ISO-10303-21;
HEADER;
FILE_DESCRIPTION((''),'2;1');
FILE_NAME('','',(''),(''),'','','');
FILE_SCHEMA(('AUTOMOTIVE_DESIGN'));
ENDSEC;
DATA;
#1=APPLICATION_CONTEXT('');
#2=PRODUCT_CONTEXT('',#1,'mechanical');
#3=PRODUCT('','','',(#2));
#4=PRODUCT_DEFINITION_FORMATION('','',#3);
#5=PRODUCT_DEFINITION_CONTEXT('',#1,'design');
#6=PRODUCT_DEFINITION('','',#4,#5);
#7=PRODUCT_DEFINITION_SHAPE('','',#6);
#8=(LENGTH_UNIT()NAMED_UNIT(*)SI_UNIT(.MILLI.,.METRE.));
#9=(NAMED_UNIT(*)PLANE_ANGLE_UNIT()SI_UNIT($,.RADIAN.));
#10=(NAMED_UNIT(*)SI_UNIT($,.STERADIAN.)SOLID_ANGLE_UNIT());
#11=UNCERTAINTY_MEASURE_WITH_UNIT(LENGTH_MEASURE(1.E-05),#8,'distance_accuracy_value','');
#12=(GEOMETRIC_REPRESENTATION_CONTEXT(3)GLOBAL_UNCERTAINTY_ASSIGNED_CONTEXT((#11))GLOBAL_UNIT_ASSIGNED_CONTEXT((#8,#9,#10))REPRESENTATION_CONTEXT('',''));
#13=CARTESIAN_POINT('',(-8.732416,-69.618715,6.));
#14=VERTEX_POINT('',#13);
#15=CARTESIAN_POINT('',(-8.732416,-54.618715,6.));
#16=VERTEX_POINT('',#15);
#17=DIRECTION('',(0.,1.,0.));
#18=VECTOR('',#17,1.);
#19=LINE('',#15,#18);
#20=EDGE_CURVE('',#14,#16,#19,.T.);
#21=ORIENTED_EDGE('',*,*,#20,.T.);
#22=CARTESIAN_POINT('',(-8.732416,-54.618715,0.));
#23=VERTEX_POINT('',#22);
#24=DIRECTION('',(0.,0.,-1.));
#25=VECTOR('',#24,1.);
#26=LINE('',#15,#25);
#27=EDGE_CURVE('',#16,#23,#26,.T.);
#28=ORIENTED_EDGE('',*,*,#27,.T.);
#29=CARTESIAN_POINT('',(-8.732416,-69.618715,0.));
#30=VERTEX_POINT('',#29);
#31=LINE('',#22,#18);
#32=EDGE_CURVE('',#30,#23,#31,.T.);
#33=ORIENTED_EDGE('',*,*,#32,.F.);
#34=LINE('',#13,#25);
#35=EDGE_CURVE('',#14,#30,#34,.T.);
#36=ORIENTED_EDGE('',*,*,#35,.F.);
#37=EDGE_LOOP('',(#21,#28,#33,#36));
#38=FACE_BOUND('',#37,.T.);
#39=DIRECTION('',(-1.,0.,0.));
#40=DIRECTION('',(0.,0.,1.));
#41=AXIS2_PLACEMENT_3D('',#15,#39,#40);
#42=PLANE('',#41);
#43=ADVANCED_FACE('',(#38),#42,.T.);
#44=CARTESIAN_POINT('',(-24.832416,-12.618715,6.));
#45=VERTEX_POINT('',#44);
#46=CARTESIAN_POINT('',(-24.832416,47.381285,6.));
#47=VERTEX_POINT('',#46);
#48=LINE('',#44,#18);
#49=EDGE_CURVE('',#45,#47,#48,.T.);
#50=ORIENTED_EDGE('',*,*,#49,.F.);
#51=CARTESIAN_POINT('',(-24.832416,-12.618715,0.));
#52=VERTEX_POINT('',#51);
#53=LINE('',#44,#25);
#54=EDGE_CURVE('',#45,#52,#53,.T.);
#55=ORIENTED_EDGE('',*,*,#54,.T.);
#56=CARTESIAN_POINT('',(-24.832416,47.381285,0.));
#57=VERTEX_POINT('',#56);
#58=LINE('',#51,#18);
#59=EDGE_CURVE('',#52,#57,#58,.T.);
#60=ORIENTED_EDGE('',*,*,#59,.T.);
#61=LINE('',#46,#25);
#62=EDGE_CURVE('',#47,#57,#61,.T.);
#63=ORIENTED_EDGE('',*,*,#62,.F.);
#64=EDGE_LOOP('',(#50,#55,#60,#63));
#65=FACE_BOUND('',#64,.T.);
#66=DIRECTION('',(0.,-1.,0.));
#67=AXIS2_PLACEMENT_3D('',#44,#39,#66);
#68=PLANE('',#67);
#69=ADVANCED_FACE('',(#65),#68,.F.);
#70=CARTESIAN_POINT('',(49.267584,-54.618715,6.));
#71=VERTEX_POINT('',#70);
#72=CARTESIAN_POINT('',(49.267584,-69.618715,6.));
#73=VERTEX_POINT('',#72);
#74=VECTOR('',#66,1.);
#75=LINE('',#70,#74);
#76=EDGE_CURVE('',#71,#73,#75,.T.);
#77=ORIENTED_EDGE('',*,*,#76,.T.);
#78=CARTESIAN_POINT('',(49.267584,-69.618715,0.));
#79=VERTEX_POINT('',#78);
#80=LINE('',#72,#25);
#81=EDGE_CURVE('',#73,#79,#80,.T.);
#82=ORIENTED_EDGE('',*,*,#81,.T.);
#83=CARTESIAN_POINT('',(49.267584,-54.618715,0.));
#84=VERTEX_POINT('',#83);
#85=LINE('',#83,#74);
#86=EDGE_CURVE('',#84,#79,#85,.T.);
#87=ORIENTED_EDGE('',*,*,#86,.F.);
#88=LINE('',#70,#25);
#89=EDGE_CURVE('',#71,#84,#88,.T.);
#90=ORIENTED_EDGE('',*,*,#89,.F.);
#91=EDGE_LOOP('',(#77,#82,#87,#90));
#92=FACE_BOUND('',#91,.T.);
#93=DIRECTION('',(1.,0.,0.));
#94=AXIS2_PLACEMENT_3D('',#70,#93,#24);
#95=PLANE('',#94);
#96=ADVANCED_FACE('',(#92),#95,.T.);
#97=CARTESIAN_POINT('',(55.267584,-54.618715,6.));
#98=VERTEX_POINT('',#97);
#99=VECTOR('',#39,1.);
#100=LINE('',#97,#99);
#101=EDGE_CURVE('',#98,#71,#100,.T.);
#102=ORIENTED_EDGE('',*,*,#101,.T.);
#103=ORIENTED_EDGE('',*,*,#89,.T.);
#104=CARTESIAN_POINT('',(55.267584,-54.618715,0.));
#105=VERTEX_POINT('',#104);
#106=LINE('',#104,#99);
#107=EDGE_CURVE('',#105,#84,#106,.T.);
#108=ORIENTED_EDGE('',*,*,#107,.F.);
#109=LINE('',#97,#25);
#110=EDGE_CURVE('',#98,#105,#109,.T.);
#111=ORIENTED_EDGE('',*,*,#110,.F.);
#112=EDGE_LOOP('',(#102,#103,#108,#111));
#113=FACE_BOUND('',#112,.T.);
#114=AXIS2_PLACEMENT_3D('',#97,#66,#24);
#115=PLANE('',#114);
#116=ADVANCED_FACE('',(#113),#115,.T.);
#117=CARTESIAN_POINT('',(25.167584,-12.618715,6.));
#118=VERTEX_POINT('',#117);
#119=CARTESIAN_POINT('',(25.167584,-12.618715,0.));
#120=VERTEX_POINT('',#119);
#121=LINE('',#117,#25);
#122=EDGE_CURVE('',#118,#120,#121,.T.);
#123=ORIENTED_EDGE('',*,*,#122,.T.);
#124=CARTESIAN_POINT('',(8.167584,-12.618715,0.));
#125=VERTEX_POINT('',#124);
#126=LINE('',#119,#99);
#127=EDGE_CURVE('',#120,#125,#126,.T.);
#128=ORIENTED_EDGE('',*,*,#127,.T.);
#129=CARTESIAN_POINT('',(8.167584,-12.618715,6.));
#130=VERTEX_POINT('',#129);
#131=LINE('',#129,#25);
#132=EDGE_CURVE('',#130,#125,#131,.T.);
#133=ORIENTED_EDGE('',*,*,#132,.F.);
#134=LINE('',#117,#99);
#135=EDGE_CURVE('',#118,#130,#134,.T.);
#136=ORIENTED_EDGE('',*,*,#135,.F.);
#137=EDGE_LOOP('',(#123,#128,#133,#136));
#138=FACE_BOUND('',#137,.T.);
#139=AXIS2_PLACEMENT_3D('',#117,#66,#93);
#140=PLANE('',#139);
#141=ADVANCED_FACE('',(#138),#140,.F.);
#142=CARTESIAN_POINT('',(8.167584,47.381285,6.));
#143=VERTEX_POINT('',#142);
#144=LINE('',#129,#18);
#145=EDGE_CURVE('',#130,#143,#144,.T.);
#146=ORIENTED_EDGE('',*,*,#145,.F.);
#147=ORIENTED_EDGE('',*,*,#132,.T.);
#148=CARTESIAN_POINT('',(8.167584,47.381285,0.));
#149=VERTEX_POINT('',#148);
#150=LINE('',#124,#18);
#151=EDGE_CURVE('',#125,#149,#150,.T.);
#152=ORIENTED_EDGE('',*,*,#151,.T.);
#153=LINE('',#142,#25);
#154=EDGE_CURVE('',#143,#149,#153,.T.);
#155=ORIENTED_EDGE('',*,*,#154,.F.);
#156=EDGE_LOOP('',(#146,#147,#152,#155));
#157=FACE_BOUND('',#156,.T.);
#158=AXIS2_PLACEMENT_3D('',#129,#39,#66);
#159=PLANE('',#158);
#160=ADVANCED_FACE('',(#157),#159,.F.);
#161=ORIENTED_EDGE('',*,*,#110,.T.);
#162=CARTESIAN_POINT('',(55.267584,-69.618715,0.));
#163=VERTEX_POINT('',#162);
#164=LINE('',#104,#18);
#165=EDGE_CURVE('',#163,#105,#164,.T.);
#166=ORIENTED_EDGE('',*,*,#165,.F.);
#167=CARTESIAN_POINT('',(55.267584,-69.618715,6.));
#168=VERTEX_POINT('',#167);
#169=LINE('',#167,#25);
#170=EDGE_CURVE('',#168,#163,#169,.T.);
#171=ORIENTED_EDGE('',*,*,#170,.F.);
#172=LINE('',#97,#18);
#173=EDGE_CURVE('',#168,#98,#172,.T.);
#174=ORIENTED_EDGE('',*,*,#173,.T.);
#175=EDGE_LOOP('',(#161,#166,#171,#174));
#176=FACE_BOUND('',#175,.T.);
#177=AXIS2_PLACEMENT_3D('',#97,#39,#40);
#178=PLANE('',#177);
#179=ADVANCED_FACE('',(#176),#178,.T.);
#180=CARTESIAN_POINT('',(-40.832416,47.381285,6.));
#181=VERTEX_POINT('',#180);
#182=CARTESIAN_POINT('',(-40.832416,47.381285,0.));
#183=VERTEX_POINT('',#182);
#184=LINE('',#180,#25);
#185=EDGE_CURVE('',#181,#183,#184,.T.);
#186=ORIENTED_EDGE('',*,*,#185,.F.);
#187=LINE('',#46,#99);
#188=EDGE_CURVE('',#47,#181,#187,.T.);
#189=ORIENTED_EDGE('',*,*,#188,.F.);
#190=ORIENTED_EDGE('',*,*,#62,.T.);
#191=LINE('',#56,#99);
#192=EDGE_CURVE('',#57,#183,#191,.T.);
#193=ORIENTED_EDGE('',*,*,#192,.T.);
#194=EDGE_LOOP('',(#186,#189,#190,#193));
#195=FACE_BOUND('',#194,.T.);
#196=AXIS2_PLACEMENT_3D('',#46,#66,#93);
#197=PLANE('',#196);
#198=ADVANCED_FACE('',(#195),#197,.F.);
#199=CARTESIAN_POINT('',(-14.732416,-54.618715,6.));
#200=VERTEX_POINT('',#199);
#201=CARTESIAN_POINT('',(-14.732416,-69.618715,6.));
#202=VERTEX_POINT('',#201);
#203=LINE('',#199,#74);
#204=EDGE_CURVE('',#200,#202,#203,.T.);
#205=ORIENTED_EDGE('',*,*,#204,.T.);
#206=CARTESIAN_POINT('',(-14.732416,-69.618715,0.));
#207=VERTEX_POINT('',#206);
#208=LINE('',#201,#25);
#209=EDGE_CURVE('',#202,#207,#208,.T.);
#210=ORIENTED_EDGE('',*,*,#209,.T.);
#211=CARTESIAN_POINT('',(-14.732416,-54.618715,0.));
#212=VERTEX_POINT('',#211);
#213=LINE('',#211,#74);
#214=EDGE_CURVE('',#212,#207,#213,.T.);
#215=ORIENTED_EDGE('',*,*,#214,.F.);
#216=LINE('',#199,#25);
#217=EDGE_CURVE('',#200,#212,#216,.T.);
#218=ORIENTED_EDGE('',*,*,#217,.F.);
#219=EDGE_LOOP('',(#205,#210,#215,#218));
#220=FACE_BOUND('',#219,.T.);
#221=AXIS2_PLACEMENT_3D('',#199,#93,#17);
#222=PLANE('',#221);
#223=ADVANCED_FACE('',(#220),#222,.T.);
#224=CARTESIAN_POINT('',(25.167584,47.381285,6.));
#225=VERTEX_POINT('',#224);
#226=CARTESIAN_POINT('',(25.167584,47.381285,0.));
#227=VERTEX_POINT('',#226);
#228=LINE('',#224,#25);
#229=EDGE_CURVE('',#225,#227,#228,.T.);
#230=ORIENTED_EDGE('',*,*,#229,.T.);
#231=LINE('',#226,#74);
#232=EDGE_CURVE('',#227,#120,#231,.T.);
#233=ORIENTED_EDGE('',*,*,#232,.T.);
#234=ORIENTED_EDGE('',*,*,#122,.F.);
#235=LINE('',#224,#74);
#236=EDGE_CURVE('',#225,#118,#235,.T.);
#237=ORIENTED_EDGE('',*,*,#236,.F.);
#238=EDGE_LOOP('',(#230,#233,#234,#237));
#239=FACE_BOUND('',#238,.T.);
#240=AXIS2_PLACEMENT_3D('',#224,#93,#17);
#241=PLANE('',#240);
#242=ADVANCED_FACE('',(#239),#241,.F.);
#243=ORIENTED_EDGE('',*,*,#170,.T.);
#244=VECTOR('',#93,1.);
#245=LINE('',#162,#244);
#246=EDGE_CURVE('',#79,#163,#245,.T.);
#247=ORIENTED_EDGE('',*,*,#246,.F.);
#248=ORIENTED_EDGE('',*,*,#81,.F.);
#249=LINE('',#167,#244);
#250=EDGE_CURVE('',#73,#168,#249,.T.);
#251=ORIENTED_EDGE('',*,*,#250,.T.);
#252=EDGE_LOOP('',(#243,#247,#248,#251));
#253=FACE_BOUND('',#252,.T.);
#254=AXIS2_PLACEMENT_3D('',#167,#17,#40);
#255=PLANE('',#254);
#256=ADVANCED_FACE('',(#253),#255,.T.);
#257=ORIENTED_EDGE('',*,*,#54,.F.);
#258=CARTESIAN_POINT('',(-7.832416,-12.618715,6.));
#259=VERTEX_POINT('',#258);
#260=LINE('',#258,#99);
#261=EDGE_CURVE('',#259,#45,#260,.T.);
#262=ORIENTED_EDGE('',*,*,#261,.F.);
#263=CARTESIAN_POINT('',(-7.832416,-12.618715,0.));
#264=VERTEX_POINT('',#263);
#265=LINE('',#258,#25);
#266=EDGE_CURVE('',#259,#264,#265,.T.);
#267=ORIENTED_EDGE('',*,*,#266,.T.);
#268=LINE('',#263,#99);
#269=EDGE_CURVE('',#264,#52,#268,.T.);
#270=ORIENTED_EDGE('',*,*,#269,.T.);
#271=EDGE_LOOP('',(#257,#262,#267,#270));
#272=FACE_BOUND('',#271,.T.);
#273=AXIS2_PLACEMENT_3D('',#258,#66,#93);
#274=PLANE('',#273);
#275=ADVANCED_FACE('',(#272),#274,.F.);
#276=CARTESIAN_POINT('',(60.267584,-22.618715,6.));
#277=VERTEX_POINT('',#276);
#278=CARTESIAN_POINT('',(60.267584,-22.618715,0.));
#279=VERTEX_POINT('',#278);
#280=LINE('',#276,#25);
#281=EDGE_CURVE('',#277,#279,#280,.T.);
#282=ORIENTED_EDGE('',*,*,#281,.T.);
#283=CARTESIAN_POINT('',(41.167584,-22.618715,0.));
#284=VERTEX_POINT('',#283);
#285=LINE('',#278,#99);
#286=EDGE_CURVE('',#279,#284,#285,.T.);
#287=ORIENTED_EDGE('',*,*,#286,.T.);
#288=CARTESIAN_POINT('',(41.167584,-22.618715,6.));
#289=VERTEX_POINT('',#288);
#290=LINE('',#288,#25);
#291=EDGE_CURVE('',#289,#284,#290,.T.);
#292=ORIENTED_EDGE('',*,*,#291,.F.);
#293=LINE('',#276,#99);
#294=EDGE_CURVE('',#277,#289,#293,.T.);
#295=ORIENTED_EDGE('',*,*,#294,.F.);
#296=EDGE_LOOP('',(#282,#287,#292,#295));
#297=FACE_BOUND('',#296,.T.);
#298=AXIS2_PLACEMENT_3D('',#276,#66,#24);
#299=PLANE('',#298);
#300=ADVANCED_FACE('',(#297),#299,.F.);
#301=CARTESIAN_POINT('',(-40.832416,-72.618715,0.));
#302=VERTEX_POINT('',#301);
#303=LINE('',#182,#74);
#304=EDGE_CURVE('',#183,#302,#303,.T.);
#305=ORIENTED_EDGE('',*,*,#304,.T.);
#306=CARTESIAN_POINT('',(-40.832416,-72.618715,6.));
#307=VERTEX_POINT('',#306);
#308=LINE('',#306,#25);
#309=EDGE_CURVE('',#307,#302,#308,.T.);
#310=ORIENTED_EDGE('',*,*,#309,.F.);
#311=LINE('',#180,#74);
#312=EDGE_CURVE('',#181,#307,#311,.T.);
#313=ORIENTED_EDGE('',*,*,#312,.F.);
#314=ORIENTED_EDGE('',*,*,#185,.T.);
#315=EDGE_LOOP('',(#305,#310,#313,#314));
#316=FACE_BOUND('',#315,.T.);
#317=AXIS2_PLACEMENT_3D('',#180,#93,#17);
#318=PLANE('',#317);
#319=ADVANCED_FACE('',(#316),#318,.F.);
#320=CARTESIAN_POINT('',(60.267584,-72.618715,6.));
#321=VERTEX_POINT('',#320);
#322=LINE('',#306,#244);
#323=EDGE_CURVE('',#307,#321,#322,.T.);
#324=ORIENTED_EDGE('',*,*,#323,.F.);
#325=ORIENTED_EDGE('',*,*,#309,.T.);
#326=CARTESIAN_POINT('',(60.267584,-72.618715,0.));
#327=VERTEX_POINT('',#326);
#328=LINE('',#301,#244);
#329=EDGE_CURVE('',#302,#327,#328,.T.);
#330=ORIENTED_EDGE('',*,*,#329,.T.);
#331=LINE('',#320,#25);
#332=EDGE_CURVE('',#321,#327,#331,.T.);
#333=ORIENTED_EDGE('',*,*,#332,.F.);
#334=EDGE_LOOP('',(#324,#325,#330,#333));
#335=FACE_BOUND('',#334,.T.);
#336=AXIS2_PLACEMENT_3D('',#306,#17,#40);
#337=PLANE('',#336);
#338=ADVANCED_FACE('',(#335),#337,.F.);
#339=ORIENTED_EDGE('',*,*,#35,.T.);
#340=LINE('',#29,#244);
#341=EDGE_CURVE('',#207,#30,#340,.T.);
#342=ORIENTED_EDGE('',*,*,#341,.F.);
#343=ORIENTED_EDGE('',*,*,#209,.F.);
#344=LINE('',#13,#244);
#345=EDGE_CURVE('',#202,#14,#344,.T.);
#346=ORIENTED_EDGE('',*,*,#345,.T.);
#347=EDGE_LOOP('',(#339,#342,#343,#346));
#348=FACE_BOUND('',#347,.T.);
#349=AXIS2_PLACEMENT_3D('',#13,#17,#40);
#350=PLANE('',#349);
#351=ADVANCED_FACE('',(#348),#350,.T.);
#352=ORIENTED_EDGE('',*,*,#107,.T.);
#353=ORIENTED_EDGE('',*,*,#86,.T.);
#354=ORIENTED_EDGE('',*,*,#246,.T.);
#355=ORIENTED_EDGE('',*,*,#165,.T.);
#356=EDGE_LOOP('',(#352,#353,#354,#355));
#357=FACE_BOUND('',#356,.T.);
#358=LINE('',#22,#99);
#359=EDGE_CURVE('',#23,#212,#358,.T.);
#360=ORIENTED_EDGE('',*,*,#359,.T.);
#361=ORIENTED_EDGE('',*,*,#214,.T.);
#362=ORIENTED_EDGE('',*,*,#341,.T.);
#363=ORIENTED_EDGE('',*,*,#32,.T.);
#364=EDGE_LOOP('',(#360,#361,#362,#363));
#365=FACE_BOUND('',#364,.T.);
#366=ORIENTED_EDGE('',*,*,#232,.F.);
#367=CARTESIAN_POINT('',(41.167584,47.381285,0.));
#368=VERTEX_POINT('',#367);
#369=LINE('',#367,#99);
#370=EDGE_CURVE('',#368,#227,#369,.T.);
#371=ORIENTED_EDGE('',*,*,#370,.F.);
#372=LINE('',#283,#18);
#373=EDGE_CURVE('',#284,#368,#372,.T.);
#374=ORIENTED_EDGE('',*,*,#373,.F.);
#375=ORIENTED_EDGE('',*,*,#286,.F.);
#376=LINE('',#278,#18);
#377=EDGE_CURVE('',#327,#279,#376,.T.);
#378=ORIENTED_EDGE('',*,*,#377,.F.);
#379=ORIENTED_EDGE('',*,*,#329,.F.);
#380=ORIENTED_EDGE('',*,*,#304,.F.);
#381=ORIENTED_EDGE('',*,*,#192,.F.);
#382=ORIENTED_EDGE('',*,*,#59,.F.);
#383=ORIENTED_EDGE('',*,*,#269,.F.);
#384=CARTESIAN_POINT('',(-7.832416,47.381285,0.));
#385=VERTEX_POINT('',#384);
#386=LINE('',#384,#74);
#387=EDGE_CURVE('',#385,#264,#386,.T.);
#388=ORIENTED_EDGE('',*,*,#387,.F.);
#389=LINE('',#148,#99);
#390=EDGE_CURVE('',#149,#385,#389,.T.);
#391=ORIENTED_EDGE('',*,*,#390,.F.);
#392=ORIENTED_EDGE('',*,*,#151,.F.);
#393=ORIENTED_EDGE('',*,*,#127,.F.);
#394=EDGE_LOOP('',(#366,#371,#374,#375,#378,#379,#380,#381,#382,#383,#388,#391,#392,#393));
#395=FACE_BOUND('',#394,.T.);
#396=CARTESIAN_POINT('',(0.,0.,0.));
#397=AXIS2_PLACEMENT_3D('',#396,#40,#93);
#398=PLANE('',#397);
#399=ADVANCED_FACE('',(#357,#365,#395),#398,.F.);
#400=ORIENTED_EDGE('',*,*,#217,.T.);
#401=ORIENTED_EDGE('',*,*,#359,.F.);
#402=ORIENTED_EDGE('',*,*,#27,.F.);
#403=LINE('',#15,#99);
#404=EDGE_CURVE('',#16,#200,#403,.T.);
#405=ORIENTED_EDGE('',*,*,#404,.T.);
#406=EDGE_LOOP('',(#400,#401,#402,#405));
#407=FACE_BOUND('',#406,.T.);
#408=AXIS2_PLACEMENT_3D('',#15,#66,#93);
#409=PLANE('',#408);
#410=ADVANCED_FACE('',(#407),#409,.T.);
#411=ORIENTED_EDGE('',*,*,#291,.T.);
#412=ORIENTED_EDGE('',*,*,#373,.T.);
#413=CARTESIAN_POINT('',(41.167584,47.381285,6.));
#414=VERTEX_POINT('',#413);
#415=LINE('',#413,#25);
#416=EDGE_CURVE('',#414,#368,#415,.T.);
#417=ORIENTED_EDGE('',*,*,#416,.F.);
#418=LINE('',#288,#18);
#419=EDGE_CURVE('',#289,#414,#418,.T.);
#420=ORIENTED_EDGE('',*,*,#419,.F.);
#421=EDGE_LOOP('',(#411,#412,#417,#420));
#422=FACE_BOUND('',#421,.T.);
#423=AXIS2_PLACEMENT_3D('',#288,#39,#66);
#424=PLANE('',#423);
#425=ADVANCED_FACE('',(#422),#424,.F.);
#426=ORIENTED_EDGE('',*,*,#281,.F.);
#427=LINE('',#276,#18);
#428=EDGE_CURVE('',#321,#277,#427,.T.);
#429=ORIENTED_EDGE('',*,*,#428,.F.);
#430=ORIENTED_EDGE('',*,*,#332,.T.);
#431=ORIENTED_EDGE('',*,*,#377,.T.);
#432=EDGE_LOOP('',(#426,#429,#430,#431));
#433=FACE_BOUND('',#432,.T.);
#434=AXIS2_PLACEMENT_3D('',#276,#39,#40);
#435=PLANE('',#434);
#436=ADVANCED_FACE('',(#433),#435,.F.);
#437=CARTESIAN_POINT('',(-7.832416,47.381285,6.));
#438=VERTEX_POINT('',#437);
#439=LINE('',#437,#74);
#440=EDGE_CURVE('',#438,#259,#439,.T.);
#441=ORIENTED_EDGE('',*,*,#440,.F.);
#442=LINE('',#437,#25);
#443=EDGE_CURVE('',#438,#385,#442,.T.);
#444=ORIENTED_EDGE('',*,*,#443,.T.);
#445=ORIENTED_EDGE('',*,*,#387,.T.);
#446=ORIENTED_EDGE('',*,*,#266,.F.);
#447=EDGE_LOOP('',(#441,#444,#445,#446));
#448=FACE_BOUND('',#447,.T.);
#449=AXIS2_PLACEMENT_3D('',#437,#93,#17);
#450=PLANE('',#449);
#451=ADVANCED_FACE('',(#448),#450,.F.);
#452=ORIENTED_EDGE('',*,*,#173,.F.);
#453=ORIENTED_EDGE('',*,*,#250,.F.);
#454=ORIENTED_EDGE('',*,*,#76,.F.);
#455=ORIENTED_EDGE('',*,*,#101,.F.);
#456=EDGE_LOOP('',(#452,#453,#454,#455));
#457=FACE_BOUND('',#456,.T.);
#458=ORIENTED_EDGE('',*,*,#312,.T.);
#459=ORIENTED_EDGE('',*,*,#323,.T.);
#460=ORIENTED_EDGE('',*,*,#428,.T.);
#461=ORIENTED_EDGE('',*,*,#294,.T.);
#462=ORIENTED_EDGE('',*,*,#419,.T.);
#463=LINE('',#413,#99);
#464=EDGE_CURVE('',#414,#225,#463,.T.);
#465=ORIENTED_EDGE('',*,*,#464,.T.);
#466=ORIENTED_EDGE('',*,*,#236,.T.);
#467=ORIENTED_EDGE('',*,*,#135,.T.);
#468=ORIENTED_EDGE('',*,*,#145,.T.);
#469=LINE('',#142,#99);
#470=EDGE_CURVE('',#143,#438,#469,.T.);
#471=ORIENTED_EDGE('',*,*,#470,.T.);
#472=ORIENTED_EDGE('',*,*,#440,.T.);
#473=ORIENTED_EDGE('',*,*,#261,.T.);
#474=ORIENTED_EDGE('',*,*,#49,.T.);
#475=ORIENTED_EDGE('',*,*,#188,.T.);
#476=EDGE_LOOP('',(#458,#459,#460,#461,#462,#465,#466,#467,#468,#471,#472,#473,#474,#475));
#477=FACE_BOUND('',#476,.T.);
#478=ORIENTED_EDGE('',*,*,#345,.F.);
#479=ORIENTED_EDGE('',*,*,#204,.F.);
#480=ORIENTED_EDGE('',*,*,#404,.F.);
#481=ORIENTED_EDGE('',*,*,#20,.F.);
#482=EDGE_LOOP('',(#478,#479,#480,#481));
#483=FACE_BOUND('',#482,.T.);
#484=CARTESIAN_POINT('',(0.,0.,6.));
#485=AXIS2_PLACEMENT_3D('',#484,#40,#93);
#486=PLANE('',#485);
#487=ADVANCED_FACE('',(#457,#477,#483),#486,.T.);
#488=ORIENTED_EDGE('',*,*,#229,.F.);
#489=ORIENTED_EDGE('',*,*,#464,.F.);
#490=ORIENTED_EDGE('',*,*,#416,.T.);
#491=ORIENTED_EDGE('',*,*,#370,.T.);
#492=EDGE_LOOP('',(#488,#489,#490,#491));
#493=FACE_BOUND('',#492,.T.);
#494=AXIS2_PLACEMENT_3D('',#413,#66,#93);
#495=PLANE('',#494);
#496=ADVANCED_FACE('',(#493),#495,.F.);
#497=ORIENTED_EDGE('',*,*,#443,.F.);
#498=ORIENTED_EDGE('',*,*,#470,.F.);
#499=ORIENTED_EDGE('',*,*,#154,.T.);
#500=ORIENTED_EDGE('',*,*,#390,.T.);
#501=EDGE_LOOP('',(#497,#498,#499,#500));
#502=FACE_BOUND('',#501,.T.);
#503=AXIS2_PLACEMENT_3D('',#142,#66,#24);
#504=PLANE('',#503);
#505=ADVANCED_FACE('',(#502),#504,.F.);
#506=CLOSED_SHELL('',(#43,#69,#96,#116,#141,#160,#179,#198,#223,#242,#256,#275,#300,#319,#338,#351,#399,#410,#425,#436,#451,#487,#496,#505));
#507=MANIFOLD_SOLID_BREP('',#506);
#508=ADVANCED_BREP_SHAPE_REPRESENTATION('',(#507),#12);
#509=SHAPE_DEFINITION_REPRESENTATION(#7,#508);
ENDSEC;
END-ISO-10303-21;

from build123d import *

# Parameters (mm, degrees)
ESQUISSE1_W        = 6
ESQUISSE1_H        = 15
BOSS_EXTRU_1_DEPTH = 6


with BuildPart() as part:
    # Esquisse1 → Boss.-Extru.1 (new body)
    with BuildSketch(Plane.XY):
        Polygon((25.167583758, 47.381284916), (25.167583758, -12.618715084), (8.167583758, -12.618715084), (8.167583758, 47.381284916), (-7.832416242, 47.381284916), (-7.832416242, -12.618715084), (-24.832416242, -12.618715084), (-24.832416242, 47.381284916), (-40.832416242, 47.381284916), (-40.832416242, -72.618715084), (60.267583758, -72.618715084), (60.267583758, -22.618715084), (41.167583758, -22.618715084), (41.167583758, 47.381284916), align=None)
        with Locations((52.267583758, -62.118715084)):
            Rectangle(ESQUISSE1_W, ESQUISSE1_H, mode=Mode.SUBTRACT)
        with Locations((-11.732416242, -62.118715084)):
            Rectangle(ESQUISSE1_W, ESQUISSE1_H, mode=Mode.SUBTRACT)
    extrude(amount=BOSS_EXTRU_1_DEPTH)


solid = part.part
